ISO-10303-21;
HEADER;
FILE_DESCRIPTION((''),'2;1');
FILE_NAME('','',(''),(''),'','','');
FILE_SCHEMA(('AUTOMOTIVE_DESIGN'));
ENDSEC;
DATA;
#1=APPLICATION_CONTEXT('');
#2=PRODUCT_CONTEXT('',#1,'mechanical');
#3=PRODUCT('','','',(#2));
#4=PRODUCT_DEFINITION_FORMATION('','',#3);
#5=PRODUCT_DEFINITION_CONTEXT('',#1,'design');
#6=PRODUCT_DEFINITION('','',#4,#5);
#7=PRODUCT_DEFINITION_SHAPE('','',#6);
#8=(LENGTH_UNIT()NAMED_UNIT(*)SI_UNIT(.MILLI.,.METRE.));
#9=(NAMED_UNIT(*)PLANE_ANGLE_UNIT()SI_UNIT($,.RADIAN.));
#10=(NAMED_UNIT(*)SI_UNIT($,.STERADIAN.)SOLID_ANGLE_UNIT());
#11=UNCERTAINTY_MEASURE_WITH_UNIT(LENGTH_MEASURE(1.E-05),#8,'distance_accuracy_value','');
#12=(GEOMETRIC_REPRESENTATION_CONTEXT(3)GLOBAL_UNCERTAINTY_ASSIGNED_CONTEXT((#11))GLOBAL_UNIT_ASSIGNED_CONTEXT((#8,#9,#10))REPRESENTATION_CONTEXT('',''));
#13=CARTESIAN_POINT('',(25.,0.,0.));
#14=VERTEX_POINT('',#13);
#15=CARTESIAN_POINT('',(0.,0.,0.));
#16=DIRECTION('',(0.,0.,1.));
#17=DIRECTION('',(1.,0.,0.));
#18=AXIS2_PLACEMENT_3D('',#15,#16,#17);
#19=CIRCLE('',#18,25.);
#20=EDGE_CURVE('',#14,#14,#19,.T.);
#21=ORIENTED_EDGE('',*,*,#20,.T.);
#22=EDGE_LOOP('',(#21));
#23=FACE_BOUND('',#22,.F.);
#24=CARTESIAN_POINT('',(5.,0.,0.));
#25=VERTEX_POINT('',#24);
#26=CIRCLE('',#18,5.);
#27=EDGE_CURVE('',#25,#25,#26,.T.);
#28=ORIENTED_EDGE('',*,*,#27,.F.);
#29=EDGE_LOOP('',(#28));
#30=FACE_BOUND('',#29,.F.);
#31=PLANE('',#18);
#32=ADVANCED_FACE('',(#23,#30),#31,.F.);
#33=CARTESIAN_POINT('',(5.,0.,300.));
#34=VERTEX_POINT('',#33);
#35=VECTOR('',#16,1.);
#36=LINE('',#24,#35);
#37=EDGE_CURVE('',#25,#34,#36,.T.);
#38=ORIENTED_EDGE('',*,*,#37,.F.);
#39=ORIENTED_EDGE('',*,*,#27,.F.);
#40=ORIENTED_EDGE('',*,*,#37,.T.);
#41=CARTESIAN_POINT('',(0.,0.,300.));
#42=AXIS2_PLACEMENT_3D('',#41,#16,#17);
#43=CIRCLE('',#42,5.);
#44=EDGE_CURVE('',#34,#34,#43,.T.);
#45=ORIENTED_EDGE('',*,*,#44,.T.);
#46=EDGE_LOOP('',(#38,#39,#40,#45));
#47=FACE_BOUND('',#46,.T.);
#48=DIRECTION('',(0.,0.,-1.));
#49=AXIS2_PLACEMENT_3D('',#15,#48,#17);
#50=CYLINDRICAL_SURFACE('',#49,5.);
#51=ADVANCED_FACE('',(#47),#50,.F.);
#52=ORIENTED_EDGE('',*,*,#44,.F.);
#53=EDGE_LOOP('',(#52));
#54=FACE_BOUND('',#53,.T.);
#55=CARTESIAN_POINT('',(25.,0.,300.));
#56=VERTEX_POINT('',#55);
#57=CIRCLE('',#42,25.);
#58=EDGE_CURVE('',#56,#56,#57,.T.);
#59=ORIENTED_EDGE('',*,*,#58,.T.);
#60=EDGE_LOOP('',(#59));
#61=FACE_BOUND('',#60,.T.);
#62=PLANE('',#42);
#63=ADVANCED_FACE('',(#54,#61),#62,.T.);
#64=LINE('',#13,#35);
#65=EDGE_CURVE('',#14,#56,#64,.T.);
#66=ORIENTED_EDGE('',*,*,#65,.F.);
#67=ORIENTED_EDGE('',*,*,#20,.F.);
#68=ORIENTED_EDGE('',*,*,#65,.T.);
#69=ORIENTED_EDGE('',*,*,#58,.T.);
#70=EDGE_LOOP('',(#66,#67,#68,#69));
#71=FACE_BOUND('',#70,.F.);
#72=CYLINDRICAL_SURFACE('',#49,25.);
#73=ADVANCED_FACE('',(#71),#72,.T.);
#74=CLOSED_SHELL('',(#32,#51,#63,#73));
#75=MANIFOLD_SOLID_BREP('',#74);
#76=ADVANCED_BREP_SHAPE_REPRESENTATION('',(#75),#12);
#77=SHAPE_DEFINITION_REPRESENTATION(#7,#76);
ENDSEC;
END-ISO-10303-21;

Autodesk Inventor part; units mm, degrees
ref_plane "YZ Plane" through (0, 0, 0) normal (1, 0, 0) x (0, 1, 0)
ref_plane "XZ Plane" through (0, 0, 0) normal (0, 1, 0) x (-1, 0, 0)
ref_plane "XY Plane" through (0, 0, 0) normal (0, 0, 1) x (1, 0, 0)
sketch "Sketch1" plane through (0, 0, 0) normal (0, 0, 1) x (1, 0, 0)
  circle A0 centre (0, 0) radius 25
  circle A1 centre (0, 0) radius 5
  dimension "d0" = 50
  dimension "d1" = 10
extrude "Extrusion1" add sketch "Sketch1" along normal blind 300
properties part number "roller"
